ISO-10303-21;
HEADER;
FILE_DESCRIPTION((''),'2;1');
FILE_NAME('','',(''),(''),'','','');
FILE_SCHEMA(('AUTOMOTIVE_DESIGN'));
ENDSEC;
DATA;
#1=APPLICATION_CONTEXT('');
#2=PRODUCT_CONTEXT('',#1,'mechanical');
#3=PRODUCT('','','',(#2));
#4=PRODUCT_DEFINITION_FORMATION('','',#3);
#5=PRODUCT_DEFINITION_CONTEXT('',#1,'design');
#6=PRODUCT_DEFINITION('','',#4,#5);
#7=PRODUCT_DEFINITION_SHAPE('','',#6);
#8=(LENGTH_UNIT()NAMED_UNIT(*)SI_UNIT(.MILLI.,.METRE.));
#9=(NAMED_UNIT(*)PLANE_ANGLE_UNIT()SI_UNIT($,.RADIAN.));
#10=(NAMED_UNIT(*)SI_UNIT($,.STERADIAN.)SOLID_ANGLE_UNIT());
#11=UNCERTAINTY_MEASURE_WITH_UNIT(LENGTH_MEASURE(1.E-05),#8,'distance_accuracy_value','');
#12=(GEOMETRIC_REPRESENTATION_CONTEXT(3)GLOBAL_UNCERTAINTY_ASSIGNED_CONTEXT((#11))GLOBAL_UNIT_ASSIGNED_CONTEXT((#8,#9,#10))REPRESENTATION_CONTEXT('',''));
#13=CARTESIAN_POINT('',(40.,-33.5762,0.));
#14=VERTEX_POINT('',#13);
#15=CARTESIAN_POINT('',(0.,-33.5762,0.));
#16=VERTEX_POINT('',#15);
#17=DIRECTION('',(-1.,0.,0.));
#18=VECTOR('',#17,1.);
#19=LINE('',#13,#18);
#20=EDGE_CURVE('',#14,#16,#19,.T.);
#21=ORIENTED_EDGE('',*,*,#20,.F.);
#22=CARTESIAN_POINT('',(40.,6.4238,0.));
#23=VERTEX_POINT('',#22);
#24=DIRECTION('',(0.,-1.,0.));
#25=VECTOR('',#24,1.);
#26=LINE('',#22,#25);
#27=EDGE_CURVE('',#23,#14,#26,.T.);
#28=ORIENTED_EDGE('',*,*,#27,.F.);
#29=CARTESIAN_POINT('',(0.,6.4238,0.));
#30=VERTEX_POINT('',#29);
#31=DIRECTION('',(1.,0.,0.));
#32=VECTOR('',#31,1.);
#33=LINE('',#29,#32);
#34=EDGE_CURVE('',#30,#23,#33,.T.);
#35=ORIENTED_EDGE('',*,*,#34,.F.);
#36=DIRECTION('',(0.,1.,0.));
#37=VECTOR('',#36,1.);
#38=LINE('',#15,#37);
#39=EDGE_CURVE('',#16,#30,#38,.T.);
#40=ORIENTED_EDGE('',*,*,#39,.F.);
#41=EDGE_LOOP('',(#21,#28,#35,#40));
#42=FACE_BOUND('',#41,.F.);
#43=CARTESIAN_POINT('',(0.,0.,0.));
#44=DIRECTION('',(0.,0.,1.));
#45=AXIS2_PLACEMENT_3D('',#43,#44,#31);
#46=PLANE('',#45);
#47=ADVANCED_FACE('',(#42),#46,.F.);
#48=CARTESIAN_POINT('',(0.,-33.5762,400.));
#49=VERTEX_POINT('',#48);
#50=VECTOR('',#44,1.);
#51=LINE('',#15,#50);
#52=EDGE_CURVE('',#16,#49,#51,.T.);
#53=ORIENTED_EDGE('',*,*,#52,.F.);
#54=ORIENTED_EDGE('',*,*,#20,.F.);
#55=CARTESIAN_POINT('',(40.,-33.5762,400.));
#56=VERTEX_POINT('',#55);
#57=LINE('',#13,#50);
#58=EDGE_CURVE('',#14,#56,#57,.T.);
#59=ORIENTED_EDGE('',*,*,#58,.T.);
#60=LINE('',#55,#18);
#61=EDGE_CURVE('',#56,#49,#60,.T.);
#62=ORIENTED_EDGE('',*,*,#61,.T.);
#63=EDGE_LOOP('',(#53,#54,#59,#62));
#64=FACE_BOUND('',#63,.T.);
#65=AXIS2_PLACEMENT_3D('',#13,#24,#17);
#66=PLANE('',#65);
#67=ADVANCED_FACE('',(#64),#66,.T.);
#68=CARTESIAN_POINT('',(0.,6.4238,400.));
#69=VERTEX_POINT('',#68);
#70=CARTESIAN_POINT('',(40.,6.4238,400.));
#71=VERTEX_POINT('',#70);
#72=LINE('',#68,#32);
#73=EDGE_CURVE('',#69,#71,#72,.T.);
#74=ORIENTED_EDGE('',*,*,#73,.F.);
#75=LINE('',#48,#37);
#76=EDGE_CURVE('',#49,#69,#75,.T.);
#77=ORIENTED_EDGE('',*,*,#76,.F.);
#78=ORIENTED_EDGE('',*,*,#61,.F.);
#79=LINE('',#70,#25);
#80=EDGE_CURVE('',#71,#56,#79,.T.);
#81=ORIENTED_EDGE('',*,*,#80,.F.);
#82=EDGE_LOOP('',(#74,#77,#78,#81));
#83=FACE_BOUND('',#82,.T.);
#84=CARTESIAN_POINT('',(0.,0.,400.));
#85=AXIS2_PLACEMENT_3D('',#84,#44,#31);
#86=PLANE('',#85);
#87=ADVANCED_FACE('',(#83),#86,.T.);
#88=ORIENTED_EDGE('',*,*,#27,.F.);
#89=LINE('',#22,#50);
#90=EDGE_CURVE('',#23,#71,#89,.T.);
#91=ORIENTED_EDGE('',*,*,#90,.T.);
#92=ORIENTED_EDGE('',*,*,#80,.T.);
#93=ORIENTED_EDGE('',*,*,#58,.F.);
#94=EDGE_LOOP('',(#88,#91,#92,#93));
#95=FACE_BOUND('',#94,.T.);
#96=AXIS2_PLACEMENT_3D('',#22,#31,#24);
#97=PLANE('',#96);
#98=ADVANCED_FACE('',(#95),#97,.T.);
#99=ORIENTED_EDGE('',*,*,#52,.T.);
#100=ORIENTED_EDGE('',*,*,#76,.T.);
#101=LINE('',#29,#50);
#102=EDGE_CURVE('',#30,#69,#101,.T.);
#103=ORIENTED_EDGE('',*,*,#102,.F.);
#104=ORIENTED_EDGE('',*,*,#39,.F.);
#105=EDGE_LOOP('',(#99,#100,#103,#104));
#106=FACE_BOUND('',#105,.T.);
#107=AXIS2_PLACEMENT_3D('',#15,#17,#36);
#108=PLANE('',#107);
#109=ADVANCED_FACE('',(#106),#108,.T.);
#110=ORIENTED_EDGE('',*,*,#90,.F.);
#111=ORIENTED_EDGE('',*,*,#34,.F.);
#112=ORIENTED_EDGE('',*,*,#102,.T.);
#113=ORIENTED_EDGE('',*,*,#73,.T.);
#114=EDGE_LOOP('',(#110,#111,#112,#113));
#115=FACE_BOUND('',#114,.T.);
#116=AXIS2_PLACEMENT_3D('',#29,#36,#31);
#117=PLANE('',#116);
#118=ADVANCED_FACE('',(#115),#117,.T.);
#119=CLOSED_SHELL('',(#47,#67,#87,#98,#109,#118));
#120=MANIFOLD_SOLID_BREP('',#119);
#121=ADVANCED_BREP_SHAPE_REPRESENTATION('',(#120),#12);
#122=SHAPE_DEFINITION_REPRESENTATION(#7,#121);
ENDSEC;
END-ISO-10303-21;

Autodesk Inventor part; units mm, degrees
ref_plane "YZ Plane" through (0, 0, 0) normal (1, 0, 0) x (0, 1, 0)
ref_plane "XZ Plane" through (0, 0, 0) normal (0, 1, 0) x (-1, 0, 0)
ref_plane "XY Plane" through (0, 0, 0) normal (0, 0, 1) x (1, 0, 0)
sketch "Эскиз1" plane through (0, 0, 0) normal (0, 0, 1) x (1, 0, 0)
  line L0 (0, 6.4238) -> (40, 6.4238)
  line L1 (40, 6.4238) -> (40, -33.5762)
  line L2 (40, -33.5762) -> (0, -33.5762)
  line L3 (0, -33.5762) -> (0, 6.4238)
  point P0 (0, 0)
  dimension "d0" = 40
  dimension "d1" = 40
extrude "Выдавливание1" add sketch "Эскиз1" along normal blind 400
properties part number "Кабельный канал 40х40х60"
